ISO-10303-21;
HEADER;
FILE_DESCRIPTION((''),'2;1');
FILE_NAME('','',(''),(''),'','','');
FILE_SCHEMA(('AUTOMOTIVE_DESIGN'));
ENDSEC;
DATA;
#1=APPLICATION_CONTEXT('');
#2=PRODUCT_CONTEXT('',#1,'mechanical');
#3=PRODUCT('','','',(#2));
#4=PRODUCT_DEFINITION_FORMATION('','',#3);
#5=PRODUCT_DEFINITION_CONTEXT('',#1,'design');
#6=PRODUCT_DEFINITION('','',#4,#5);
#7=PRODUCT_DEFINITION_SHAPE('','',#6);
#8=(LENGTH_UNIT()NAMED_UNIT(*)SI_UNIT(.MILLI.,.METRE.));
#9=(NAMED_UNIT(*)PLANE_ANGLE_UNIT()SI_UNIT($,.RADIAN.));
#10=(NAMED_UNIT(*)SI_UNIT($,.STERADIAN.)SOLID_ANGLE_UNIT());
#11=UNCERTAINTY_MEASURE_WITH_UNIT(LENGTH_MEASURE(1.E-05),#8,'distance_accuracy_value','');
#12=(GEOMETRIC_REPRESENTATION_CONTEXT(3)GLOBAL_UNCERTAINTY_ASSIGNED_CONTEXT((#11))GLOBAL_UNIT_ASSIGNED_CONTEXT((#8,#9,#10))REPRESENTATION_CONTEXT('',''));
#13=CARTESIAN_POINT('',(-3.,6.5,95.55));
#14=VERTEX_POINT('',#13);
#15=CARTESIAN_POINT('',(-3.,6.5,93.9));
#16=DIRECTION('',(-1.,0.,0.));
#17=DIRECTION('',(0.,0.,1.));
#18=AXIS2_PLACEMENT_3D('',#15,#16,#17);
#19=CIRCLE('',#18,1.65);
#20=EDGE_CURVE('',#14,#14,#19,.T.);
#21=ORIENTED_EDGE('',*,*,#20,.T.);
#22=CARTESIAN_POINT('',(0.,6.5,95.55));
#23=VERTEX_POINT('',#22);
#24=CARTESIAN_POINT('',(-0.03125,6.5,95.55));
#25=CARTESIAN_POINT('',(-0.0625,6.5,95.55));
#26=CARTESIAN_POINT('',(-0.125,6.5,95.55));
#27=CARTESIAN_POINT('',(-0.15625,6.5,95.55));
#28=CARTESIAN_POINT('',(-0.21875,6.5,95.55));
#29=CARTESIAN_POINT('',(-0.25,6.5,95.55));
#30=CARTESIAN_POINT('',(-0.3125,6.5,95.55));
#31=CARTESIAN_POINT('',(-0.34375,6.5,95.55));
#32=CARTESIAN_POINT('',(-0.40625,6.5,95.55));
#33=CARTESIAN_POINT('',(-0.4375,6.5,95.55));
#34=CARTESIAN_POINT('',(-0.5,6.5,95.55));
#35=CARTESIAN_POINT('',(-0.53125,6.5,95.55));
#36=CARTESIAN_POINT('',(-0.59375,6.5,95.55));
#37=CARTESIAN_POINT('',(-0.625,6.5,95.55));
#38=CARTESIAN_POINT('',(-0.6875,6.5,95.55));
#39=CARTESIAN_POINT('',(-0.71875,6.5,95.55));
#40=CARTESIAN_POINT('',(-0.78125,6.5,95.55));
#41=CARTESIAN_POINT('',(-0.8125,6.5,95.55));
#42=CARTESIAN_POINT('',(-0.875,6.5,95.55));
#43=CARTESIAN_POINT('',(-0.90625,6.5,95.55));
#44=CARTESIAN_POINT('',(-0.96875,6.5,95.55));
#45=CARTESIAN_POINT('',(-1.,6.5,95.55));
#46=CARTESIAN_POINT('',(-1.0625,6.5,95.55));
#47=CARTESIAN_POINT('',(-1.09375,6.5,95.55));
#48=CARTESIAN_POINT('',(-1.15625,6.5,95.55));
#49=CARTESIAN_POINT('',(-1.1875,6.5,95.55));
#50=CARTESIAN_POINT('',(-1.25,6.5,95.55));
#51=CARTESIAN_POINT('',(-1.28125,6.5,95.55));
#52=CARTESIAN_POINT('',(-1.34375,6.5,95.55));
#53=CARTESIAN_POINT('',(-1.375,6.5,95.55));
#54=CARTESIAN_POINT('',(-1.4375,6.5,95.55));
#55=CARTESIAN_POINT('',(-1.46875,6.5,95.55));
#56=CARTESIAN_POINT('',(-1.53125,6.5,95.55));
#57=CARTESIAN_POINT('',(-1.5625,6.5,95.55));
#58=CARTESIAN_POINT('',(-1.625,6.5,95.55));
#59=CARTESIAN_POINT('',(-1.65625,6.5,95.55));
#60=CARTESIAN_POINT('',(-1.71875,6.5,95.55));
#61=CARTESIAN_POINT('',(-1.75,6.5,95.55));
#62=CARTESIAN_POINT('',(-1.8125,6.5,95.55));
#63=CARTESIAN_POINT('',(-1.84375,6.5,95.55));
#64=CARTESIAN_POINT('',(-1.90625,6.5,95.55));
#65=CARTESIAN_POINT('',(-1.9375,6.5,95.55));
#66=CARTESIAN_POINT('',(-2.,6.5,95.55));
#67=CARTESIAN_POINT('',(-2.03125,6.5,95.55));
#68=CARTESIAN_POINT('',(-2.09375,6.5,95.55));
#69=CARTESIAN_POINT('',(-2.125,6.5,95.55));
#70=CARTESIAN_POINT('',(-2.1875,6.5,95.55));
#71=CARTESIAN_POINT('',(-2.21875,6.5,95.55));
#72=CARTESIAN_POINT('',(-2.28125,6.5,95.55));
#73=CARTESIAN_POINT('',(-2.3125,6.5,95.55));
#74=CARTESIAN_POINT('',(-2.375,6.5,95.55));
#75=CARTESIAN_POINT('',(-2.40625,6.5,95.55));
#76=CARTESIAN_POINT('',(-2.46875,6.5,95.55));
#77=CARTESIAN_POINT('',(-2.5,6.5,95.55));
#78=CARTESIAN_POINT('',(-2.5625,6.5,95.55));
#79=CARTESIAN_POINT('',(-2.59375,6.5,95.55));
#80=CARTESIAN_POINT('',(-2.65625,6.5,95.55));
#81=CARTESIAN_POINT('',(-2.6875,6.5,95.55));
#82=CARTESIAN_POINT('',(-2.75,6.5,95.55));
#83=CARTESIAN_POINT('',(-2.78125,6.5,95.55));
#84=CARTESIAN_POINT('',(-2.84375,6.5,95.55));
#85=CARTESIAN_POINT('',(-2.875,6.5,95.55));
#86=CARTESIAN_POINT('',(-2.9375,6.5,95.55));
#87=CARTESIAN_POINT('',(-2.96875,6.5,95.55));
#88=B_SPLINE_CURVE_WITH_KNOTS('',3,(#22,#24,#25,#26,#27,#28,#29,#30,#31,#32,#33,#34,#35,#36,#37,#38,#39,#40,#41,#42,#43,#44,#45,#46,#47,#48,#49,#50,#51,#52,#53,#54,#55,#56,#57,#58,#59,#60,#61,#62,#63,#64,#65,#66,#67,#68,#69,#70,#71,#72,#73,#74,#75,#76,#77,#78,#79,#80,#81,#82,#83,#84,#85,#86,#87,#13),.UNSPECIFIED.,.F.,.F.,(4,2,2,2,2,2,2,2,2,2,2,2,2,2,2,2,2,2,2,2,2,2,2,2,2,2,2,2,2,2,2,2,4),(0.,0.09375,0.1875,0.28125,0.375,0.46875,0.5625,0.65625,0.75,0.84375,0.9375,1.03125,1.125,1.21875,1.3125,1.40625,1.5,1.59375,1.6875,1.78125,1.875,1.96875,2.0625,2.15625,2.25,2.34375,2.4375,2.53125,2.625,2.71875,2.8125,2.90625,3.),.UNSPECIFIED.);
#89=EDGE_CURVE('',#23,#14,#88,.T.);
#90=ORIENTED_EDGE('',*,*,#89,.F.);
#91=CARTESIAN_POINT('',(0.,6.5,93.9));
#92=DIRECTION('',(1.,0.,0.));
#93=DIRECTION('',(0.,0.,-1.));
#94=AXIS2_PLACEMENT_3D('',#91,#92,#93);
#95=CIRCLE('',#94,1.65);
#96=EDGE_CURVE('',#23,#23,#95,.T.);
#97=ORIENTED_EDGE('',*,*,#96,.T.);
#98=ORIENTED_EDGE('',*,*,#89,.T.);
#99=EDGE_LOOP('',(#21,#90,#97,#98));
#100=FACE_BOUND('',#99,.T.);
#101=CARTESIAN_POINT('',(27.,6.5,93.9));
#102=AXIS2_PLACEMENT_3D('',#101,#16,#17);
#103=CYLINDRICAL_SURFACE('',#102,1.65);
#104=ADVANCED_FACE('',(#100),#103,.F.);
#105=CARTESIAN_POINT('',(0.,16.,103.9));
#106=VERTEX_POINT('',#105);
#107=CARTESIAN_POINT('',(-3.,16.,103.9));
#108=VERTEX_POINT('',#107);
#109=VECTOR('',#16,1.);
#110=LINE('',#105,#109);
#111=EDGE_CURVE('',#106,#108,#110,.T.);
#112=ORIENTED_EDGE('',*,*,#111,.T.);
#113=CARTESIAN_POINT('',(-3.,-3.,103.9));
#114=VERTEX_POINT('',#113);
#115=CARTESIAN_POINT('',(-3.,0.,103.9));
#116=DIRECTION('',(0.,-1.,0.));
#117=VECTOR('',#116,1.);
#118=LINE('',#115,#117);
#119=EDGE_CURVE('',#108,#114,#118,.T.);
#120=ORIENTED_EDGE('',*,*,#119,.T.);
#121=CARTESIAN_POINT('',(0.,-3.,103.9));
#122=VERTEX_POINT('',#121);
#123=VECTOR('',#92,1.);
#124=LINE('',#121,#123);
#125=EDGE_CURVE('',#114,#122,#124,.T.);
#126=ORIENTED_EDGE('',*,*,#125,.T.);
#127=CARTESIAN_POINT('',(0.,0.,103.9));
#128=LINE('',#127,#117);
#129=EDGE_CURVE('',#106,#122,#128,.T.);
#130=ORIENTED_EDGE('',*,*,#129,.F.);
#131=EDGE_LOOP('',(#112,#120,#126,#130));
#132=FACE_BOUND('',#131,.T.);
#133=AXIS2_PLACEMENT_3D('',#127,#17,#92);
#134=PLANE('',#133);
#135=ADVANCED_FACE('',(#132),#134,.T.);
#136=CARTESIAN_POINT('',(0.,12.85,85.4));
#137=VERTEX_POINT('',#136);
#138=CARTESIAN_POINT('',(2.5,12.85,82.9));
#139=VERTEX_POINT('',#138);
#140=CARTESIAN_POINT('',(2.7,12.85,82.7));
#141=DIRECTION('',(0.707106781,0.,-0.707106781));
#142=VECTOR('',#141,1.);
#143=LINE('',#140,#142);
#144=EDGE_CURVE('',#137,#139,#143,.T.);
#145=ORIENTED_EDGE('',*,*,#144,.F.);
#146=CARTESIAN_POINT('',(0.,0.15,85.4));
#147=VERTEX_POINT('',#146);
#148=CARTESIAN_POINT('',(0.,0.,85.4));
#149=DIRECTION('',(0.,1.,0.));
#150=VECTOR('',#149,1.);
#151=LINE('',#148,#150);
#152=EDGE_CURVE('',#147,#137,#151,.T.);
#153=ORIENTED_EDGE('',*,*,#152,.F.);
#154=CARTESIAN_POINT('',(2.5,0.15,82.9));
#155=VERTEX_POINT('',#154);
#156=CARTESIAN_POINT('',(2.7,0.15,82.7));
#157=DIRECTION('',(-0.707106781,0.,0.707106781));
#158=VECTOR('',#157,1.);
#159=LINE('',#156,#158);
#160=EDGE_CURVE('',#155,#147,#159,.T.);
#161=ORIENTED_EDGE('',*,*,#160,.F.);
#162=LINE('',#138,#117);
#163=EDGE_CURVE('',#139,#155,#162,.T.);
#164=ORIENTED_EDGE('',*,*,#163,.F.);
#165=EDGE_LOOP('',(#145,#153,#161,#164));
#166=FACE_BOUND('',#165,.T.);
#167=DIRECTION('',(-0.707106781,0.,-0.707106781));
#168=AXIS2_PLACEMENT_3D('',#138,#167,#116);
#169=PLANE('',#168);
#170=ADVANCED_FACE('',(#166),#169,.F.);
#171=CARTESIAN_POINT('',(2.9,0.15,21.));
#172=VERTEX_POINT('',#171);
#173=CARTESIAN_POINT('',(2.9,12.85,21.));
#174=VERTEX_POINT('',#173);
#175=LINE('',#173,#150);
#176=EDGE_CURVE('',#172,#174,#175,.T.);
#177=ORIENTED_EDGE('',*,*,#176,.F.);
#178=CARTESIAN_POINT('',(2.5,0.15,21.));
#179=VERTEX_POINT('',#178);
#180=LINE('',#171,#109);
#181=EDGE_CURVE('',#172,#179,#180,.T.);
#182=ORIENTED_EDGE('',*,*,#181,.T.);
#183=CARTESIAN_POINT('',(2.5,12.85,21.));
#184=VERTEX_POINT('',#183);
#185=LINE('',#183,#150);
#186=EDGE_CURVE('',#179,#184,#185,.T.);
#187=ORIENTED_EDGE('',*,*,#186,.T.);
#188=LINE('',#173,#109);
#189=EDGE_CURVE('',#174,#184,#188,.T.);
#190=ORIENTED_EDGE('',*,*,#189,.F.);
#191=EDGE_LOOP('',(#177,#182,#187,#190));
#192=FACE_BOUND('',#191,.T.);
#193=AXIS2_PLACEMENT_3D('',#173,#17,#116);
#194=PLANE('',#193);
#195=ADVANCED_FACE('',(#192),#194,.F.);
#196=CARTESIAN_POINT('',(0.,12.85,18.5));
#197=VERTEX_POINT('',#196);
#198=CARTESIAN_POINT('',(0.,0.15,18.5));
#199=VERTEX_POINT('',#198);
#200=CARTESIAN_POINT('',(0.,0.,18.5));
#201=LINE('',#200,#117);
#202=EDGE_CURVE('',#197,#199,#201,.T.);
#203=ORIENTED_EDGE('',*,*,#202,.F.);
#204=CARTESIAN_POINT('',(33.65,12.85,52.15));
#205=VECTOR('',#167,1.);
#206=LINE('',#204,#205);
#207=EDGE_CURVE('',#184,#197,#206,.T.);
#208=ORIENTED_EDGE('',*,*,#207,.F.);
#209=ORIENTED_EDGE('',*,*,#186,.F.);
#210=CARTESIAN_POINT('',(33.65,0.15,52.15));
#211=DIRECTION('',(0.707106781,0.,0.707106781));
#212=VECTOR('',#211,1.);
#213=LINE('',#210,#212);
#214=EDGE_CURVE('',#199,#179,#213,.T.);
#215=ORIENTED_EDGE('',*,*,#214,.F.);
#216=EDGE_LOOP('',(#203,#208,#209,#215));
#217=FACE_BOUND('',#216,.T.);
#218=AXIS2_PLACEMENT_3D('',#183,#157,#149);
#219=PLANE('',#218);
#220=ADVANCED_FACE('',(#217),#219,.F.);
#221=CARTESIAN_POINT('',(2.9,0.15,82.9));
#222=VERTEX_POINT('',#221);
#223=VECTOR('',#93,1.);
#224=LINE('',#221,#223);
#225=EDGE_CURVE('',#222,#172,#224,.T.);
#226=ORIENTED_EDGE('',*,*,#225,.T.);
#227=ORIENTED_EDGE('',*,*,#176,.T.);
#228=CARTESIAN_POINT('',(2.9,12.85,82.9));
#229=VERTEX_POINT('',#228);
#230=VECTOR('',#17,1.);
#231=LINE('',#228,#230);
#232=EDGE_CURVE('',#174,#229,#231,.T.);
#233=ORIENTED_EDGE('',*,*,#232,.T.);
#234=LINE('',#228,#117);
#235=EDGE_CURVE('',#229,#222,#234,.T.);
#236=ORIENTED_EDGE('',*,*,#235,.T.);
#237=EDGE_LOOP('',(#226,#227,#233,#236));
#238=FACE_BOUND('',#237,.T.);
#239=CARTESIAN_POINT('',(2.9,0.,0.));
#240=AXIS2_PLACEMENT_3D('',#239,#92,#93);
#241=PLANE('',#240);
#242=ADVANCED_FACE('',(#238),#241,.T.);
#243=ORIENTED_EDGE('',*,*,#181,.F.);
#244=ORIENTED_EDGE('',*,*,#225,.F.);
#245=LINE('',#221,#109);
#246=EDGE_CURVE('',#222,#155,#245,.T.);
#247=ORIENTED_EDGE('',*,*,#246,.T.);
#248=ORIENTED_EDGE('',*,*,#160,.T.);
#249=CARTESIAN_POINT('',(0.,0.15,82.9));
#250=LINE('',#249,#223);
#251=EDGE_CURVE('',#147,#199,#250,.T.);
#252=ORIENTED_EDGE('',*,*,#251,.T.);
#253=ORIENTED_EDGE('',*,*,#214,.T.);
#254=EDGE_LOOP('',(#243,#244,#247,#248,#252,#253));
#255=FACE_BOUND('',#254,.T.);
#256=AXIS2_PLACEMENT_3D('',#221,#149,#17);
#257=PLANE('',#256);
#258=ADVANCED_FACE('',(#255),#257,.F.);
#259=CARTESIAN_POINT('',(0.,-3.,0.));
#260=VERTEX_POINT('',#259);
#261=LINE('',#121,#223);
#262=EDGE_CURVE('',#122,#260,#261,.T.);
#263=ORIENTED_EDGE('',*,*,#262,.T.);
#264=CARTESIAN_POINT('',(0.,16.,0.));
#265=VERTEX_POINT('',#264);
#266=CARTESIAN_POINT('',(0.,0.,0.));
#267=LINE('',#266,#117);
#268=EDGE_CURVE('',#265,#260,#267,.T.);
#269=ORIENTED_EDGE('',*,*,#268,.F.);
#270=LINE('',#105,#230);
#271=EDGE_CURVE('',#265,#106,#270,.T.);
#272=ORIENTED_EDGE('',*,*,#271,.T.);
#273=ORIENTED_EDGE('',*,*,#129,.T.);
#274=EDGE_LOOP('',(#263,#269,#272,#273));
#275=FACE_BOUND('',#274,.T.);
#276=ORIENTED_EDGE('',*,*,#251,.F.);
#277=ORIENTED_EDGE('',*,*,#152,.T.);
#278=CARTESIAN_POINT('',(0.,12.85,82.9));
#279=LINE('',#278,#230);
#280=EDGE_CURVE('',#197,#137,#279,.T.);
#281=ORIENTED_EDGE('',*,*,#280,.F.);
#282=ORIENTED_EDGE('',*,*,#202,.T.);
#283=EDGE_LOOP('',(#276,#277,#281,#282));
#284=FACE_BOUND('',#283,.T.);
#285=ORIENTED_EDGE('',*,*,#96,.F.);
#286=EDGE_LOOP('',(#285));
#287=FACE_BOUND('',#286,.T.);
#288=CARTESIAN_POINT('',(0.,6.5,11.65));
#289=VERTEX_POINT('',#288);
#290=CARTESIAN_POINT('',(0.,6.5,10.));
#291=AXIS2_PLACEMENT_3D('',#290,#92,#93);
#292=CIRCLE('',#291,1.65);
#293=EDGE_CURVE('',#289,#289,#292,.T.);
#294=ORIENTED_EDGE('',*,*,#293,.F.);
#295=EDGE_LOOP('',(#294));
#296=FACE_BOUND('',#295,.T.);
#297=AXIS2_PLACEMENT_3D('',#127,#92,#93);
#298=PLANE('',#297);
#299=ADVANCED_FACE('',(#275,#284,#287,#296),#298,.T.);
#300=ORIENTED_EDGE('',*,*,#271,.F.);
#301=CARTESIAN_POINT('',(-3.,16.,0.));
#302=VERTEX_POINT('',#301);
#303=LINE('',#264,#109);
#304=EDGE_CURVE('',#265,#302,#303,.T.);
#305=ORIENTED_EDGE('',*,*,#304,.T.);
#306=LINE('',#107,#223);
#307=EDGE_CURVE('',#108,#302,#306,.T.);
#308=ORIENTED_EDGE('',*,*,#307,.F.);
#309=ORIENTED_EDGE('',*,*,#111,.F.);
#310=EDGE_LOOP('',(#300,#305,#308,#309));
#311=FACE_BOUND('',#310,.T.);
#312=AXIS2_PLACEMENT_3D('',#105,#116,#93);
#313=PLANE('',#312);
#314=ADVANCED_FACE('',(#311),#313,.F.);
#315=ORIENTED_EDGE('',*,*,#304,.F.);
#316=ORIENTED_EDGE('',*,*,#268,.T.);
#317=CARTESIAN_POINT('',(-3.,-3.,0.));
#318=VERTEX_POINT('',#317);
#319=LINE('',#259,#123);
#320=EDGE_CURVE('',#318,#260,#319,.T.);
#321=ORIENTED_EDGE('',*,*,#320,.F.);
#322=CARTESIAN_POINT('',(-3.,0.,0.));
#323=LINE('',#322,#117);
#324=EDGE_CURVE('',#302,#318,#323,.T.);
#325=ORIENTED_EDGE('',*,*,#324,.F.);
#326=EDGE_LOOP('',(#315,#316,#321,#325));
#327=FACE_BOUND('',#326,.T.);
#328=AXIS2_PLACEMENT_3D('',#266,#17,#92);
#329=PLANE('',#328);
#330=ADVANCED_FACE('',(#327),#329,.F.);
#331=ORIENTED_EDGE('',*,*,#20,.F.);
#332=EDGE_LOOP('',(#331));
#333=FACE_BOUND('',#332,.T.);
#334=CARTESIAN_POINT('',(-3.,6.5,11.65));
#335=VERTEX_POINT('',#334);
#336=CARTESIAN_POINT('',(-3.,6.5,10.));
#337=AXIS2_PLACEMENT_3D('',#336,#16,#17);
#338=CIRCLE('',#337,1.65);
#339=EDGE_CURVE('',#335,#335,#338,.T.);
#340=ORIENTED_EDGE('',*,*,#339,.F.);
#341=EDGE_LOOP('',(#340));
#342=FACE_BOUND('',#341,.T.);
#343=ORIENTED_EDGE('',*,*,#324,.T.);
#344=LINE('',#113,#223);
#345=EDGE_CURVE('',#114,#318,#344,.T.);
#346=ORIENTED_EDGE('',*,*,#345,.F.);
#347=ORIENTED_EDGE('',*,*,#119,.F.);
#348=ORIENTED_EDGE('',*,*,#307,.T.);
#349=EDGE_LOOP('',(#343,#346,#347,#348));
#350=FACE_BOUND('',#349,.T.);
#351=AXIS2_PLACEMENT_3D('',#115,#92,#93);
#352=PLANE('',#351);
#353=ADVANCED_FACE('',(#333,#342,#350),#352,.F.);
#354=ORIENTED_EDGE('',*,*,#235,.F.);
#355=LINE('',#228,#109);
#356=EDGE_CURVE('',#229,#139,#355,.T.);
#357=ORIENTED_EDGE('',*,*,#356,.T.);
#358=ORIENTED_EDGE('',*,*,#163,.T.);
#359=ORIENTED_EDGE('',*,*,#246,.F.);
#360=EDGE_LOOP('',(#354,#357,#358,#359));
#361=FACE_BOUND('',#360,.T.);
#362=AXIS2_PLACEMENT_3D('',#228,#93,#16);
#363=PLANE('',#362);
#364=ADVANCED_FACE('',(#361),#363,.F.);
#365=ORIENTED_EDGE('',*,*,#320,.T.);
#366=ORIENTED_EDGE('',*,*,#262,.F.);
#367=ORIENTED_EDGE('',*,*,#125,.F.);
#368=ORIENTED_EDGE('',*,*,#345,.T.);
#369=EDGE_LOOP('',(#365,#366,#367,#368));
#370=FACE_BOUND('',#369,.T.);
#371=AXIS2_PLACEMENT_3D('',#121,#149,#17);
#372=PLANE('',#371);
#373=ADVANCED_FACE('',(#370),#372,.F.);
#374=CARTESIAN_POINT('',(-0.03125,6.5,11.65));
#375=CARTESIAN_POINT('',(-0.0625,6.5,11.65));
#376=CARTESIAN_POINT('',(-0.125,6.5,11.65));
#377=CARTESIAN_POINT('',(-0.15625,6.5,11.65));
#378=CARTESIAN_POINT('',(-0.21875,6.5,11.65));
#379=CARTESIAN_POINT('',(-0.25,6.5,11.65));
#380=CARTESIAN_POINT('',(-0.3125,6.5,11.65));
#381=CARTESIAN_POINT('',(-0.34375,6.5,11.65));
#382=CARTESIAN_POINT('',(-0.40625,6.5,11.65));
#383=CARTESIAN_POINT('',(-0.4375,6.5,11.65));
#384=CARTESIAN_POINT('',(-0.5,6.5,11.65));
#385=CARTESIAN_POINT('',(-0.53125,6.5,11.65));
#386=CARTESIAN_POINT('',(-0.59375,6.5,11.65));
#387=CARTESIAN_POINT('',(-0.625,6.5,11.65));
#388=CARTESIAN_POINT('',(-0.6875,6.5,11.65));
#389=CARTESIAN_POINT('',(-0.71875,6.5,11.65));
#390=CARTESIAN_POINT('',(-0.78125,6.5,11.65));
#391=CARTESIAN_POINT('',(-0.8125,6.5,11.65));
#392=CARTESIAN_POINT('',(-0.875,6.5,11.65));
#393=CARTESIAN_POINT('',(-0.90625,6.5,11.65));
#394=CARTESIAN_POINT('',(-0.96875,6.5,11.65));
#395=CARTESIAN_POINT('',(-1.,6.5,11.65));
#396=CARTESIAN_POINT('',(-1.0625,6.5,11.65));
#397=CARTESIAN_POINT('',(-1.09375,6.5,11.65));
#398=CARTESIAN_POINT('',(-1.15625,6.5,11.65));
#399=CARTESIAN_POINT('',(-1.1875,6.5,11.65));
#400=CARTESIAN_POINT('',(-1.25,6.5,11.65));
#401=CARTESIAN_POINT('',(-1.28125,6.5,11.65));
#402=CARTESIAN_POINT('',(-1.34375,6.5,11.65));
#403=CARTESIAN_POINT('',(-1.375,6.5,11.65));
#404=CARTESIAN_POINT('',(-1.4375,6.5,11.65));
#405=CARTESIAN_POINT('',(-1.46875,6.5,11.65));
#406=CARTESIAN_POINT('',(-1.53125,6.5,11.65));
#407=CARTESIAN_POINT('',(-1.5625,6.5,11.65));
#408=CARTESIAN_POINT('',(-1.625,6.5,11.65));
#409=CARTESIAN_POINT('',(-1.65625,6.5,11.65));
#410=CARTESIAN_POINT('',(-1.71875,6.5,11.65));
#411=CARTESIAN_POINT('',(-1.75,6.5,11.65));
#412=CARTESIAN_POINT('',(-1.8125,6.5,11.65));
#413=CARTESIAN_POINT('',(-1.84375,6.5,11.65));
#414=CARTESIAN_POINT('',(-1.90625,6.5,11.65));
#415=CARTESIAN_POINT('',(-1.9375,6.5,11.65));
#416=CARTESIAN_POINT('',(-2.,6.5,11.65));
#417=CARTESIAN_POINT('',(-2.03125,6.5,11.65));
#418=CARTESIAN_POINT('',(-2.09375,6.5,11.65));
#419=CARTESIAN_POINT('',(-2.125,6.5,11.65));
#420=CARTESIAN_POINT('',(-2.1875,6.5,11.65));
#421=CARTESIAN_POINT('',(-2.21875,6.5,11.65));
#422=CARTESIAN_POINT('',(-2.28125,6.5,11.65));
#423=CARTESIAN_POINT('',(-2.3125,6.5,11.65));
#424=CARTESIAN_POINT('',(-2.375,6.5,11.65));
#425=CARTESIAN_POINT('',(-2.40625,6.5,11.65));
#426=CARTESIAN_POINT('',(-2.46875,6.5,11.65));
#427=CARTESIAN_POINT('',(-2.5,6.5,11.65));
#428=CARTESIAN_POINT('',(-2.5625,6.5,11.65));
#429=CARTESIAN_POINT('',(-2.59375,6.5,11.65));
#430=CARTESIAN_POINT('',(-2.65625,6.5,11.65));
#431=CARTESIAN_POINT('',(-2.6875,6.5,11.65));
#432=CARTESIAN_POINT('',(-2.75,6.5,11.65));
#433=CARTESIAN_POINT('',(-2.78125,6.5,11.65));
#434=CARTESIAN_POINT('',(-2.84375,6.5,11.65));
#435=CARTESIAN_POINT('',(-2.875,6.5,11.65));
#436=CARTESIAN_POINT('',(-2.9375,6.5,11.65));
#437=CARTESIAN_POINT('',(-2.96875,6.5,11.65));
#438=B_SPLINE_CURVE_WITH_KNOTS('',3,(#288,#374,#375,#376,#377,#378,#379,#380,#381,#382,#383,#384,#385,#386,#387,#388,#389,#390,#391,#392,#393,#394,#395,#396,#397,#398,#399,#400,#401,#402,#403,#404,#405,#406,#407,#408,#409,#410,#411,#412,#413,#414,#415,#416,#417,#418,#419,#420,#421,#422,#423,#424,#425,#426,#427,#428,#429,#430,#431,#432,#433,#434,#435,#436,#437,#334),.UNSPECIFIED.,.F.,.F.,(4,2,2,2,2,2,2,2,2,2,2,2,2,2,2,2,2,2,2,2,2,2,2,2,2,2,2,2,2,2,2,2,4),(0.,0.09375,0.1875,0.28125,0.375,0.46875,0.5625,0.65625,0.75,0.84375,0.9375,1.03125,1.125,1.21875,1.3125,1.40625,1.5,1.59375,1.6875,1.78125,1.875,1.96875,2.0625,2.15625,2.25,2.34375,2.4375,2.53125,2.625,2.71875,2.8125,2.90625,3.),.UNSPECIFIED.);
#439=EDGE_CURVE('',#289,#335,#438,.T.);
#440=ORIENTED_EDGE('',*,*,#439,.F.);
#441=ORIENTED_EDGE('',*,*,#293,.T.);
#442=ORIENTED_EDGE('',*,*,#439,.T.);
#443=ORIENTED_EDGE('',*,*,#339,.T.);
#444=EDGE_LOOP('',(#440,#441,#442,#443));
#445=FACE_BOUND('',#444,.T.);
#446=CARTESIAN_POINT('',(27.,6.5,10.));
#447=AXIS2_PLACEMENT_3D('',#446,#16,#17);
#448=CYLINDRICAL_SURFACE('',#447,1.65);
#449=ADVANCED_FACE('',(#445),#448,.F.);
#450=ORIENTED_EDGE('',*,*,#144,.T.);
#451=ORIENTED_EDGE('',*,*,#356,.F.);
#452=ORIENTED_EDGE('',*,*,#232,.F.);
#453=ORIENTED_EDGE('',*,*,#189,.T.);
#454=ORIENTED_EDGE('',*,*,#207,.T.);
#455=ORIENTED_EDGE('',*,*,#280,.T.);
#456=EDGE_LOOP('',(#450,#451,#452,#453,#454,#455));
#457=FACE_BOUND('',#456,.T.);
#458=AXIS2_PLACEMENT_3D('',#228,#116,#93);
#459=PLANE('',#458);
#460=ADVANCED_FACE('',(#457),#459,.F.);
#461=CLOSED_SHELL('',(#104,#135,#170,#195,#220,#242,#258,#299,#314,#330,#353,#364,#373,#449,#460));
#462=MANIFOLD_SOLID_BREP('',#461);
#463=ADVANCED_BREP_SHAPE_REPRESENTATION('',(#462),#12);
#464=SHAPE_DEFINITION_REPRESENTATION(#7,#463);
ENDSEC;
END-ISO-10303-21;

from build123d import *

# Parameters (mm, degrees)
SKETCH_1_W          = 19
SKETCH_1_H          = 19
SKETCH_1_W_2        = 13
SKETCH_1_H_2        = 13
EXTRUDE_1_DEPTH     = 103.9
SKETCH_2_R          = 1.65
CUT_EXTRUDE_1_DEPTH = 30
SKETCH_3_W          = 103.9
SKETCH_3_H          = 19
CUT_EXTRUDE_2_DEPTH = 16
SKETCH_4_W          = 61.9
SKETCH_4_H          = 12.7
EXTRUDE_1_2_DEPTH   = 2.9
CHAMFER_1_SIZE      = 2.5


with BuildPart() as part:
    # 草图1 → Extrude 1 (new body)
    with BuildSketch(Plane.XY):
        with Locations((6.5, 6.5)):
            Rectangle(SKETCH_1_W, SKETCH_1_H)
        with Locations((6.5, 6.5)):
            Rectangle(SKETCH_1_W_2, SKETCH_1_H_2, mode=Mode.SUBTRACT)
    extrude(amount=EXTRUDE_1_DEPTH)

    # 草图2 → 切除-拉伸1 (cut)
    with BuildSketch(Plane.ZY.offset(3)):
        with Locations((10, 6.5)):
            Circle(SKETCH_2_R)
        with Locations((93.9, 6.5)):
            Circle(SKETCH_2_R)
    extrude(amount=-CUT_EXTRUDE_1_DEPTH, mode=Mode.SUBTRACT)

    # 草图3 → 切除-拉伸2 (cut)
    with BuildSketch(Plane(origin=(16, 0, 0), x_dir=(0, 0, -1), z_dir=(1, 0, 0))):
        with Locations((-51.95, 6.5)):
            Rectangle(SKETCH_3_W, SKETCH_3_H)
    extrude(amount=-CUT_EXTRUDE_2_DEPTH, mode=Mode.SUBTRACT)

    # 草图4 → Extrude 1 2 (add)
    with BuildSketch(Plane(origin=(0, 0, 0), x_dir=(0, 0, -1), z_dir=(1, 0, 0))):
        with Locations((-51.95, 6.5)):
            Rectangle(SKETCH_4_W, SKETCH_4_H)
    extrude(amount=EXTRUDE_1_2_DEPTH)

    # 倒角1
    chamfer_1_edges = [part.edges().sort_by_distance(p)[0] for p in [
        (0, 6.5, 82.9),
        (0, 6.5, 21),
    ]]
    chamfer(chamfer_1_edges, length=CHAMFER_1_SIZE)


solid = part.part
